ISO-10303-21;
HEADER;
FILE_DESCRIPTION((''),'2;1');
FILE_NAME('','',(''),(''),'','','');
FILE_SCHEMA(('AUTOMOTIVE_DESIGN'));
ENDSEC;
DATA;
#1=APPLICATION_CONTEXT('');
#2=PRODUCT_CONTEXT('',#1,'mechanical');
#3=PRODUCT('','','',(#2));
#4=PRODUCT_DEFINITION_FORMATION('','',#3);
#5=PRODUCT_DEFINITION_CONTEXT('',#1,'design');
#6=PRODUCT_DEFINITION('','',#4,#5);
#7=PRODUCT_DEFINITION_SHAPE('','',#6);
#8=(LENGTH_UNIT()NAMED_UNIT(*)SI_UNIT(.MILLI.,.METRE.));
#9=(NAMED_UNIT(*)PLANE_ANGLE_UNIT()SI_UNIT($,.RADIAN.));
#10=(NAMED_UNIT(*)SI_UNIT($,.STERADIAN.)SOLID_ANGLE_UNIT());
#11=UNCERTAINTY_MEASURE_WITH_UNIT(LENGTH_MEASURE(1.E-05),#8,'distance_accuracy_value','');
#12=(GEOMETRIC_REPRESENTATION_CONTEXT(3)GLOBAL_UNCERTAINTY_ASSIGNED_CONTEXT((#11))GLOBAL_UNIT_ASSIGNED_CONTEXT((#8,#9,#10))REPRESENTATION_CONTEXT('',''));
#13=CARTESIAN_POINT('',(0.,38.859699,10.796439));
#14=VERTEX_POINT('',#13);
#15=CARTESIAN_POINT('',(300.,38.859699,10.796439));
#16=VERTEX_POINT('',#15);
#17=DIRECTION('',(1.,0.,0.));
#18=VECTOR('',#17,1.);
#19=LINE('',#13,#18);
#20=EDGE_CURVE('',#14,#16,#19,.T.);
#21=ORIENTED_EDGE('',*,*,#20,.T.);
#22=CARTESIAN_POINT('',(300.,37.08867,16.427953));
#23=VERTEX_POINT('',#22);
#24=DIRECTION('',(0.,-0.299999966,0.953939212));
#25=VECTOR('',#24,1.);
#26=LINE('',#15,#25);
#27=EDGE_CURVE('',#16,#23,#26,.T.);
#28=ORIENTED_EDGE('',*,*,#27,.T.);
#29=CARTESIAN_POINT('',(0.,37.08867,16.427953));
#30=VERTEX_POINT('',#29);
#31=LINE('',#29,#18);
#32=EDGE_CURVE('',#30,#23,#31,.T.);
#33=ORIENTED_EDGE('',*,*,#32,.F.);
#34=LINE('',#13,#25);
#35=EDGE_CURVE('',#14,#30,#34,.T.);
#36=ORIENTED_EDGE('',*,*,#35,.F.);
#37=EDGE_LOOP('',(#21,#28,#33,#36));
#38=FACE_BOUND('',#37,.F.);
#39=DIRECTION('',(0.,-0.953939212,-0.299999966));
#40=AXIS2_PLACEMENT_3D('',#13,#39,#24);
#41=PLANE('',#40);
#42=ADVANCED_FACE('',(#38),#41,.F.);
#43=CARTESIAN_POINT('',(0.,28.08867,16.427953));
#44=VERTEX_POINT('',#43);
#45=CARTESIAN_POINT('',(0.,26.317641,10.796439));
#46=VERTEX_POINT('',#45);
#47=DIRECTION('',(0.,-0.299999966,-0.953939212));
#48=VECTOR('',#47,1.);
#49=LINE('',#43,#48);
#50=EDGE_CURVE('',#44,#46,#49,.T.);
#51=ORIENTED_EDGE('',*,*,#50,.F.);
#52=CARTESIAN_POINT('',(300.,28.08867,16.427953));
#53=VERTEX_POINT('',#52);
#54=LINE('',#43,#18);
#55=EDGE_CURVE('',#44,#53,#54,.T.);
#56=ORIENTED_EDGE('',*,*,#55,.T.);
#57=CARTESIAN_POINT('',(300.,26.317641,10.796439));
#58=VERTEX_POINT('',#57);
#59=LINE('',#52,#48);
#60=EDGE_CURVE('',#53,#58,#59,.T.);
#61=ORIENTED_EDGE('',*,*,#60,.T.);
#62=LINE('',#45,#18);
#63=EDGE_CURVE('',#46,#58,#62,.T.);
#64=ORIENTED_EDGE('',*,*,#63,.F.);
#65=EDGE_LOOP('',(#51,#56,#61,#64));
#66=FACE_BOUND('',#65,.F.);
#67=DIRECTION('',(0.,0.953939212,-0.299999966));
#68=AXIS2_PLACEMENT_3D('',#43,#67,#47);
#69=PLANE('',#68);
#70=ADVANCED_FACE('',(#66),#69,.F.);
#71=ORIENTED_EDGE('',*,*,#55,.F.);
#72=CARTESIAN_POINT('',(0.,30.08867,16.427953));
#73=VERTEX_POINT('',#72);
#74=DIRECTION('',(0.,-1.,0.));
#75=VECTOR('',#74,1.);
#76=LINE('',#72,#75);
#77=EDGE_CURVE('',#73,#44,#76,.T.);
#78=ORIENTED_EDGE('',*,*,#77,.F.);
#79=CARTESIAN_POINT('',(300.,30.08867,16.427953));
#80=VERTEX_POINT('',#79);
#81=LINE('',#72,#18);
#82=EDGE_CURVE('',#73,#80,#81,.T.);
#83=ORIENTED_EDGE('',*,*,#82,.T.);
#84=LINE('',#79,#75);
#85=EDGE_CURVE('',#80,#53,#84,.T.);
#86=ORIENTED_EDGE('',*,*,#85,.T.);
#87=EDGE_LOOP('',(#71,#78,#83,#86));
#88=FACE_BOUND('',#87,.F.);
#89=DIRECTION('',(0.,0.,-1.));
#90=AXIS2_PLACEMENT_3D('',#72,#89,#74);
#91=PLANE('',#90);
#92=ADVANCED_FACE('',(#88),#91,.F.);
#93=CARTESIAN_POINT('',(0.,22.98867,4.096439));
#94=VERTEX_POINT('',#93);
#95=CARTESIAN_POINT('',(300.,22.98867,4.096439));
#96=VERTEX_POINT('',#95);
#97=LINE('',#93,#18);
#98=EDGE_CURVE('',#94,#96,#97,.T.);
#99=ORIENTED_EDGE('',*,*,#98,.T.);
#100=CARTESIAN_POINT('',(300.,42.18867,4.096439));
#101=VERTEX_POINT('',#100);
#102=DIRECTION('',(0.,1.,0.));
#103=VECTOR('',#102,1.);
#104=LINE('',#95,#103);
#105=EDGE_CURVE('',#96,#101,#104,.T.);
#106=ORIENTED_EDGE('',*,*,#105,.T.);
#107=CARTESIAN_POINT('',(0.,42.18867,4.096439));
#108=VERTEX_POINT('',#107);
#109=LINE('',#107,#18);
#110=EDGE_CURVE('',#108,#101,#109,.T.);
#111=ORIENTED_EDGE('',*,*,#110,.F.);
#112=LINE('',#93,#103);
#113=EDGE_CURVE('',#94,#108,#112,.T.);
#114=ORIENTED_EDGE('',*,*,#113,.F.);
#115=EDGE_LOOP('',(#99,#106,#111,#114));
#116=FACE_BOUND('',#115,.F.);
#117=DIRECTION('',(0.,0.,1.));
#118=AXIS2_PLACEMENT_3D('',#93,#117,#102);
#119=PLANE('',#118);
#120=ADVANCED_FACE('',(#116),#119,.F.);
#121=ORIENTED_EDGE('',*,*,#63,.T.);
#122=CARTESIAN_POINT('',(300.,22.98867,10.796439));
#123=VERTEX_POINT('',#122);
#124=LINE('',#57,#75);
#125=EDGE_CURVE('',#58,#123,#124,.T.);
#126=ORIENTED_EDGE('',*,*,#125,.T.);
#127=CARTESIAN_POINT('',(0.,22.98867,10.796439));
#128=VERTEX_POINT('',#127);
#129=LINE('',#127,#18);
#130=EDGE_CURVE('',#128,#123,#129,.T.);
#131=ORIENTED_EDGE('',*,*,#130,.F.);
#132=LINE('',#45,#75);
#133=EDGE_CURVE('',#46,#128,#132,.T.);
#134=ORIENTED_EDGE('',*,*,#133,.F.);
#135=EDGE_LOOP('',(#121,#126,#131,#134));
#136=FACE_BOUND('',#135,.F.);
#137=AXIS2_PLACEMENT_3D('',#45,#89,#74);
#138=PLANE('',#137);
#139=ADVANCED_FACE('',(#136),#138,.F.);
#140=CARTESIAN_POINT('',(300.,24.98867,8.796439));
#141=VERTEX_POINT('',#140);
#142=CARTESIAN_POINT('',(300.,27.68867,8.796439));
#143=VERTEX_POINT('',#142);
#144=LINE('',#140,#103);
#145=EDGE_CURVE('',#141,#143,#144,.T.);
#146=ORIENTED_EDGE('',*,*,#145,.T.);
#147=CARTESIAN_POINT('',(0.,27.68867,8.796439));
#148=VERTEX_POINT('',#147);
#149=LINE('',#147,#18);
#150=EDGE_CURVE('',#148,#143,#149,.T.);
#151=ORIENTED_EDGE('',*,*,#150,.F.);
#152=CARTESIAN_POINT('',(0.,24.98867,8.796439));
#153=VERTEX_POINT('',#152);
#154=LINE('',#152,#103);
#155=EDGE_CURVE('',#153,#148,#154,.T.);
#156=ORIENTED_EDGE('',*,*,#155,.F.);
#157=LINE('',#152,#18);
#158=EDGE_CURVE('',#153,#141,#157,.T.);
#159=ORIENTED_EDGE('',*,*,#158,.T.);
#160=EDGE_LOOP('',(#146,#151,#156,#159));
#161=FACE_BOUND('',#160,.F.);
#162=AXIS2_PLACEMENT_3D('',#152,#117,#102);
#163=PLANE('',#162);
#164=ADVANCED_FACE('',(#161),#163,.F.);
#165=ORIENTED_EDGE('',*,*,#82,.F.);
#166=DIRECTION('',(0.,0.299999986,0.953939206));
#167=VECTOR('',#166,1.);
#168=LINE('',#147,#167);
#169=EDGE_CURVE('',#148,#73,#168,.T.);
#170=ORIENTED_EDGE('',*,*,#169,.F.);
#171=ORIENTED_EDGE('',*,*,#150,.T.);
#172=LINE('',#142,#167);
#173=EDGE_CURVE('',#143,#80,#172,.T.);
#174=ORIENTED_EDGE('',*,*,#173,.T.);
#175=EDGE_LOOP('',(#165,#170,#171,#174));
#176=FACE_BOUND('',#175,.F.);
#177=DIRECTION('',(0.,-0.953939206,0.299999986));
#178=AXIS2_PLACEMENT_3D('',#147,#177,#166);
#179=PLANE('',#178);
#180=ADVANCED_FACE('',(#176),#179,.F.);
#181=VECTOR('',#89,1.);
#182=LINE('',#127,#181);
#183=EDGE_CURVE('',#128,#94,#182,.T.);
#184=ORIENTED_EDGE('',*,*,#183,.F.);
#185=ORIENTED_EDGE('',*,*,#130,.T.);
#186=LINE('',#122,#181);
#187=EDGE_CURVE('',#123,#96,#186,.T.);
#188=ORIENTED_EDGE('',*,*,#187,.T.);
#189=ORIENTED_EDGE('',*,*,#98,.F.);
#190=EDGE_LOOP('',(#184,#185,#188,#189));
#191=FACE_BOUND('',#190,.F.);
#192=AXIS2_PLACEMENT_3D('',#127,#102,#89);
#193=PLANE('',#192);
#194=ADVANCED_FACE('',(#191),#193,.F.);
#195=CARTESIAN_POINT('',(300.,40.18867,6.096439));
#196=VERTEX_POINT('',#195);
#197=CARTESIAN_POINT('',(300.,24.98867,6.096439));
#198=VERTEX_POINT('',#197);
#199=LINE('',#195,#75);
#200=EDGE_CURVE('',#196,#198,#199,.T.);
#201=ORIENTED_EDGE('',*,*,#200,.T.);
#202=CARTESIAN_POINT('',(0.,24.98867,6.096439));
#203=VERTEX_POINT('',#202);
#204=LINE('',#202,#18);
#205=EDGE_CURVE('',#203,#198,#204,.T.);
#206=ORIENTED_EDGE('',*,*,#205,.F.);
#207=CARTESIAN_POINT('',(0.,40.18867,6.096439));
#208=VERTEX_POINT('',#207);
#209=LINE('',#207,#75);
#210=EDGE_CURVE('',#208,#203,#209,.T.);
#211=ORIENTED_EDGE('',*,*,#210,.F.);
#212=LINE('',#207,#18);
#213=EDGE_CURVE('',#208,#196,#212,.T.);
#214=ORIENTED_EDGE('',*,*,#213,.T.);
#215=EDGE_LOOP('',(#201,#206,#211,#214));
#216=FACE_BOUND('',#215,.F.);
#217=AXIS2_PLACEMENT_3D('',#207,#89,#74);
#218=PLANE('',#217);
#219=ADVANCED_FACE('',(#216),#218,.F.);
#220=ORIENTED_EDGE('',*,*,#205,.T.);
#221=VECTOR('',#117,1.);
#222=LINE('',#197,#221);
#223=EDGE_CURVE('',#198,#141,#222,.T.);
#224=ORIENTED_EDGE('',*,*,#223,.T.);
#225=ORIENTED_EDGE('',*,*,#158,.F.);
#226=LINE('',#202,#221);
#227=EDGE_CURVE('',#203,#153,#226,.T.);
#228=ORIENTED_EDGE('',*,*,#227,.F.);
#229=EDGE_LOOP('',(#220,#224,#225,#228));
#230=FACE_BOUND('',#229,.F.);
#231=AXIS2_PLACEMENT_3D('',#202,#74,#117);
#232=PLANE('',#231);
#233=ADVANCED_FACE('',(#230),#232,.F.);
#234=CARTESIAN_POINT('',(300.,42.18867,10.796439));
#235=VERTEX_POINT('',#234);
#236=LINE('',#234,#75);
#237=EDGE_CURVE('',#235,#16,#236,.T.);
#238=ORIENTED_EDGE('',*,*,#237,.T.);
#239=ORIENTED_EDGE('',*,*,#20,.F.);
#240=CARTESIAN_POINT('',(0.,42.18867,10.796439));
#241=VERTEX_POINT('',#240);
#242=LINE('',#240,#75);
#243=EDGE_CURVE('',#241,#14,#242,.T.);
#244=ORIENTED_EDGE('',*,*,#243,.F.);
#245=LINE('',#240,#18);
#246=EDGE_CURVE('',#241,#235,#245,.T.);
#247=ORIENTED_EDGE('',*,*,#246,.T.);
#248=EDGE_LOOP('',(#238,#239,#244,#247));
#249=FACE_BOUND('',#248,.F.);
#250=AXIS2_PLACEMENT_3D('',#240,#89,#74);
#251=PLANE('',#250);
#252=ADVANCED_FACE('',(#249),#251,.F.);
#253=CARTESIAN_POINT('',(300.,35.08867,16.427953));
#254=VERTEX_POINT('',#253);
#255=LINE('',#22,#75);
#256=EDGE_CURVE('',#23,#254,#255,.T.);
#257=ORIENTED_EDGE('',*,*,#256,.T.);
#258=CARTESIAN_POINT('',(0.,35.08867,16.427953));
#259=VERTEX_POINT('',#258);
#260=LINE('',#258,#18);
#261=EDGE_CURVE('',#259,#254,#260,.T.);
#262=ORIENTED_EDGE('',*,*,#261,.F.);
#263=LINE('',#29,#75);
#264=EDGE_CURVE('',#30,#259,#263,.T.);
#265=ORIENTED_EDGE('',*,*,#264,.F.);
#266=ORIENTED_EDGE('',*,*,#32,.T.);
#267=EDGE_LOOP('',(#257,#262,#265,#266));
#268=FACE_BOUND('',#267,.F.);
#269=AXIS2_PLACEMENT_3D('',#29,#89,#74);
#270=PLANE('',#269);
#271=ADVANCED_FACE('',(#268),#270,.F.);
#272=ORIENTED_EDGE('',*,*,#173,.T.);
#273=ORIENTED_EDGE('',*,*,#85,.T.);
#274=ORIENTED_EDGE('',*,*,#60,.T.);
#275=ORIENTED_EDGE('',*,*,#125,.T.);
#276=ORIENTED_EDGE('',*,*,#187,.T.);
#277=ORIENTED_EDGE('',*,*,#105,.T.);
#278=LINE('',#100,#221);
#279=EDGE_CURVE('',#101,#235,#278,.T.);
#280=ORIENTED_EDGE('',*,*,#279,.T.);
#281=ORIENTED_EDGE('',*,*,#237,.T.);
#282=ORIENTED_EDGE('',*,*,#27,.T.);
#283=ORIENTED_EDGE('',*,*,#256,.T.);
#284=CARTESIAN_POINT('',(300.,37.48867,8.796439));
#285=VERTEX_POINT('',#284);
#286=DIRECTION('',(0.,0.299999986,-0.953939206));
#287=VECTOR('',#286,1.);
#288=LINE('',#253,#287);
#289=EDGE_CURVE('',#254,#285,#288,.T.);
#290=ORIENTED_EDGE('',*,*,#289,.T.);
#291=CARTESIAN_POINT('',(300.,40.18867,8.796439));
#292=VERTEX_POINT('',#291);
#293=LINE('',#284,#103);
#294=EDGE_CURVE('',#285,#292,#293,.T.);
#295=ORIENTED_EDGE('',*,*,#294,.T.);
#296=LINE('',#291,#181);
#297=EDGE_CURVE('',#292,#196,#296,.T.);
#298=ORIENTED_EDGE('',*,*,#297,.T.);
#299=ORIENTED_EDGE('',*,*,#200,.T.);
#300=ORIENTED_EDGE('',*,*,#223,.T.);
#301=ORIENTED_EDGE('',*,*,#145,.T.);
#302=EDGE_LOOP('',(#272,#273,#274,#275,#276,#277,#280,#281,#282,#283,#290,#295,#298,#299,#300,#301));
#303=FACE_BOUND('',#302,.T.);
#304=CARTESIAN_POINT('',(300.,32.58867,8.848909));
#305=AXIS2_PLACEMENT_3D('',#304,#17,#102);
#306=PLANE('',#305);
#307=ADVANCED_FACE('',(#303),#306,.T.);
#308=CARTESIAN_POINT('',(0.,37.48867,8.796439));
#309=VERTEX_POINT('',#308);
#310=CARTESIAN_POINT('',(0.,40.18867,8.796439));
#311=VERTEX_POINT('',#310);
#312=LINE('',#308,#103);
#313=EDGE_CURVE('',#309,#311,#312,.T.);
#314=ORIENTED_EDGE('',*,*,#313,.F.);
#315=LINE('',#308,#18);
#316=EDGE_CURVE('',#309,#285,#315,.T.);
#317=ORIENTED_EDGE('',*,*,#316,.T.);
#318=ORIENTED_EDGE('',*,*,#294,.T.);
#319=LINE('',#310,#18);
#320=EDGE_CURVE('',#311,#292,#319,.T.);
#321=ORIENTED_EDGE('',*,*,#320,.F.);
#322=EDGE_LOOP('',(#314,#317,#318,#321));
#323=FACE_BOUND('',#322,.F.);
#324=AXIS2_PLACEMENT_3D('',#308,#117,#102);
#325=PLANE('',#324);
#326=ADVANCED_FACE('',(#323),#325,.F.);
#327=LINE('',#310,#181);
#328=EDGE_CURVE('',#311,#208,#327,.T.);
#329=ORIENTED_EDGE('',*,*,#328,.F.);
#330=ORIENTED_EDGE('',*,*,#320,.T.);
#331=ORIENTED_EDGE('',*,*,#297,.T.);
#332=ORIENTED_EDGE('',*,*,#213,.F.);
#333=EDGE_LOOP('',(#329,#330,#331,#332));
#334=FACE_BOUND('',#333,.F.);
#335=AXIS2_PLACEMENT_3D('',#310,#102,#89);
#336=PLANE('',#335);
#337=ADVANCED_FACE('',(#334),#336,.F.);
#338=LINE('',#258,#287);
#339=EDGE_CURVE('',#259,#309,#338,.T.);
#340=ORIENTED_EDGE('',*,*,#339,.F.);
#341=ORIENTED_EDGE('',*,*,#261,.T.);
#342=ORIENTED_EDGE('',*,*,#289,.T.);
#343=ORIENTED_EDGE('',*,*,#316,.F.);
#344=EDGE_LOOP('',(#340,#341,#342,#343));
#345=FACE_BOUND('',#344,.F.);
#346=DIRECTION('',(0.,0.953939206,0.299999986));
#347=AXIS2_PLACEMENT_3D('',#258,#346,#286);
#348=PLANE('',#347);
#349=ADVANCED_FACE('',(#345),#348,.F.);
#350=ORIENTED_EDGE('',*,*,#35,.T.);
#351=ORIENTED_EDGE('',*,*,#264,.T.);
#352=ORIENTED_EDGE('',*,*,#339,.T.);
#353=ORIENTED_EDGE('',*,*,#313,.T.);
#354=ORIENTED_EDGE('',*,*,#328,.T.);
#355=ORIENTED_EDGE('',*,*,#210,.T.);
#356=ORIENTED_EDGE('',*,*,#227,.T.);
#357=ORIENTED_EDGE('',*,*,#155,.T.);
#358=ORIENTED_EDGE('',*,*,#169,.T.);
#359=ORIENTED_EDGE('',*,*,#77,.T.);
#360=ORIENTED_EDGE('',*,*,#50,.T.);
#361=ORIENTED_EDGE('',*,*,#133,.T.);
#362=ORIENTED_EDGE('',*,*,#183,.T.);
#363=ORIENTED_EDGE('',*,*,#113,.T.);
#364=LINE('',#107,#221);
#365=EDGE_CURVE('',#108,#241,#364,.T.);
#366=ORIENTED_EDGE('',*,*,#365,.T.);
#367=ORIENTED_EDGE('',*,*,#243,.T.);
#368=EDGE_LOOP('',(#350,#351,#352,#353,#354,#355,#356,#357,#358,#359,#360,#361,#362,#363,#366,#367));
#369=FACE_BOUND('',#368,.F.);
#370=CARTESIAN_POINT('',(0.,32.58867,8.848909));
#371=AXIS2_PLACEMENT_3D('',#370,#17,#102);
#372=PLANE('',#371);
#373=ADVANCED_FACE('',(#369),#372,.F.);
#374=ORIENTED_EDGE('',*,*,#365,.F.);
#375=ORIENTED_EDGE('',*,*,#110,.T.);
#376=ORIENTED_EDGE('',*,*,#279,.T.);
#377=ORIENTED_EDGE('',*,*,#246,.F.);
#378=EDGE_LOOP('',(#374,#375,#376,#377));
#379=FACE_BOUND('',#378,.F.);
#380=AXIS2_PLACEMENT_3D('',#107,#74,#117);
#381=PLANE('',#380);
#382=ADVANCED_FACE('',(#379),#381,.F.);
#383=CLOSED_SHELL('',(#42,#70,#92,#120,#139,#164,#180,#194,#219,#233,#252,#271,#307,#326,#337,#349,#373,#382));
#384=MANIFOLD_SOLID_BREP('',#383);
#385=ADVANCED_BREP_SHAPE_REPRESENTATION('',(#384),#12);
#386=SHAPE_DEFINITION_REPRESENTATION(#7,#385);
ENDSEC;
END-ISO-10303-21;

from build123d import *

# Parameters (mm, degrees)
F1_DEPTH = 300


with BuildPart() as f1:
    # F0 (on Right) → F1 (new body)
    with BuildSketch(Plane.YZ):
        Polygon((27.68867, 8.796439), (30.08867, 16.427953), (28.08867, 16.427953), (26.317641, 10.796439), (22.98867, 10.796439), (22.98867, 4.096439), (42.18867, 4.096439), (42.18867, 10.796439), (38.859699, 10.796439), (37.08867, 16.427953), (35.08867, 16.427953), (37.48867, 8.796439), (40.18867, 8.796439), (40.18867, 6.096439), (24.98867, 6.096439), (24.98867, 8.796439), align=None)
    extrude(amount=F1_DEPTH)


solid = f1.part
